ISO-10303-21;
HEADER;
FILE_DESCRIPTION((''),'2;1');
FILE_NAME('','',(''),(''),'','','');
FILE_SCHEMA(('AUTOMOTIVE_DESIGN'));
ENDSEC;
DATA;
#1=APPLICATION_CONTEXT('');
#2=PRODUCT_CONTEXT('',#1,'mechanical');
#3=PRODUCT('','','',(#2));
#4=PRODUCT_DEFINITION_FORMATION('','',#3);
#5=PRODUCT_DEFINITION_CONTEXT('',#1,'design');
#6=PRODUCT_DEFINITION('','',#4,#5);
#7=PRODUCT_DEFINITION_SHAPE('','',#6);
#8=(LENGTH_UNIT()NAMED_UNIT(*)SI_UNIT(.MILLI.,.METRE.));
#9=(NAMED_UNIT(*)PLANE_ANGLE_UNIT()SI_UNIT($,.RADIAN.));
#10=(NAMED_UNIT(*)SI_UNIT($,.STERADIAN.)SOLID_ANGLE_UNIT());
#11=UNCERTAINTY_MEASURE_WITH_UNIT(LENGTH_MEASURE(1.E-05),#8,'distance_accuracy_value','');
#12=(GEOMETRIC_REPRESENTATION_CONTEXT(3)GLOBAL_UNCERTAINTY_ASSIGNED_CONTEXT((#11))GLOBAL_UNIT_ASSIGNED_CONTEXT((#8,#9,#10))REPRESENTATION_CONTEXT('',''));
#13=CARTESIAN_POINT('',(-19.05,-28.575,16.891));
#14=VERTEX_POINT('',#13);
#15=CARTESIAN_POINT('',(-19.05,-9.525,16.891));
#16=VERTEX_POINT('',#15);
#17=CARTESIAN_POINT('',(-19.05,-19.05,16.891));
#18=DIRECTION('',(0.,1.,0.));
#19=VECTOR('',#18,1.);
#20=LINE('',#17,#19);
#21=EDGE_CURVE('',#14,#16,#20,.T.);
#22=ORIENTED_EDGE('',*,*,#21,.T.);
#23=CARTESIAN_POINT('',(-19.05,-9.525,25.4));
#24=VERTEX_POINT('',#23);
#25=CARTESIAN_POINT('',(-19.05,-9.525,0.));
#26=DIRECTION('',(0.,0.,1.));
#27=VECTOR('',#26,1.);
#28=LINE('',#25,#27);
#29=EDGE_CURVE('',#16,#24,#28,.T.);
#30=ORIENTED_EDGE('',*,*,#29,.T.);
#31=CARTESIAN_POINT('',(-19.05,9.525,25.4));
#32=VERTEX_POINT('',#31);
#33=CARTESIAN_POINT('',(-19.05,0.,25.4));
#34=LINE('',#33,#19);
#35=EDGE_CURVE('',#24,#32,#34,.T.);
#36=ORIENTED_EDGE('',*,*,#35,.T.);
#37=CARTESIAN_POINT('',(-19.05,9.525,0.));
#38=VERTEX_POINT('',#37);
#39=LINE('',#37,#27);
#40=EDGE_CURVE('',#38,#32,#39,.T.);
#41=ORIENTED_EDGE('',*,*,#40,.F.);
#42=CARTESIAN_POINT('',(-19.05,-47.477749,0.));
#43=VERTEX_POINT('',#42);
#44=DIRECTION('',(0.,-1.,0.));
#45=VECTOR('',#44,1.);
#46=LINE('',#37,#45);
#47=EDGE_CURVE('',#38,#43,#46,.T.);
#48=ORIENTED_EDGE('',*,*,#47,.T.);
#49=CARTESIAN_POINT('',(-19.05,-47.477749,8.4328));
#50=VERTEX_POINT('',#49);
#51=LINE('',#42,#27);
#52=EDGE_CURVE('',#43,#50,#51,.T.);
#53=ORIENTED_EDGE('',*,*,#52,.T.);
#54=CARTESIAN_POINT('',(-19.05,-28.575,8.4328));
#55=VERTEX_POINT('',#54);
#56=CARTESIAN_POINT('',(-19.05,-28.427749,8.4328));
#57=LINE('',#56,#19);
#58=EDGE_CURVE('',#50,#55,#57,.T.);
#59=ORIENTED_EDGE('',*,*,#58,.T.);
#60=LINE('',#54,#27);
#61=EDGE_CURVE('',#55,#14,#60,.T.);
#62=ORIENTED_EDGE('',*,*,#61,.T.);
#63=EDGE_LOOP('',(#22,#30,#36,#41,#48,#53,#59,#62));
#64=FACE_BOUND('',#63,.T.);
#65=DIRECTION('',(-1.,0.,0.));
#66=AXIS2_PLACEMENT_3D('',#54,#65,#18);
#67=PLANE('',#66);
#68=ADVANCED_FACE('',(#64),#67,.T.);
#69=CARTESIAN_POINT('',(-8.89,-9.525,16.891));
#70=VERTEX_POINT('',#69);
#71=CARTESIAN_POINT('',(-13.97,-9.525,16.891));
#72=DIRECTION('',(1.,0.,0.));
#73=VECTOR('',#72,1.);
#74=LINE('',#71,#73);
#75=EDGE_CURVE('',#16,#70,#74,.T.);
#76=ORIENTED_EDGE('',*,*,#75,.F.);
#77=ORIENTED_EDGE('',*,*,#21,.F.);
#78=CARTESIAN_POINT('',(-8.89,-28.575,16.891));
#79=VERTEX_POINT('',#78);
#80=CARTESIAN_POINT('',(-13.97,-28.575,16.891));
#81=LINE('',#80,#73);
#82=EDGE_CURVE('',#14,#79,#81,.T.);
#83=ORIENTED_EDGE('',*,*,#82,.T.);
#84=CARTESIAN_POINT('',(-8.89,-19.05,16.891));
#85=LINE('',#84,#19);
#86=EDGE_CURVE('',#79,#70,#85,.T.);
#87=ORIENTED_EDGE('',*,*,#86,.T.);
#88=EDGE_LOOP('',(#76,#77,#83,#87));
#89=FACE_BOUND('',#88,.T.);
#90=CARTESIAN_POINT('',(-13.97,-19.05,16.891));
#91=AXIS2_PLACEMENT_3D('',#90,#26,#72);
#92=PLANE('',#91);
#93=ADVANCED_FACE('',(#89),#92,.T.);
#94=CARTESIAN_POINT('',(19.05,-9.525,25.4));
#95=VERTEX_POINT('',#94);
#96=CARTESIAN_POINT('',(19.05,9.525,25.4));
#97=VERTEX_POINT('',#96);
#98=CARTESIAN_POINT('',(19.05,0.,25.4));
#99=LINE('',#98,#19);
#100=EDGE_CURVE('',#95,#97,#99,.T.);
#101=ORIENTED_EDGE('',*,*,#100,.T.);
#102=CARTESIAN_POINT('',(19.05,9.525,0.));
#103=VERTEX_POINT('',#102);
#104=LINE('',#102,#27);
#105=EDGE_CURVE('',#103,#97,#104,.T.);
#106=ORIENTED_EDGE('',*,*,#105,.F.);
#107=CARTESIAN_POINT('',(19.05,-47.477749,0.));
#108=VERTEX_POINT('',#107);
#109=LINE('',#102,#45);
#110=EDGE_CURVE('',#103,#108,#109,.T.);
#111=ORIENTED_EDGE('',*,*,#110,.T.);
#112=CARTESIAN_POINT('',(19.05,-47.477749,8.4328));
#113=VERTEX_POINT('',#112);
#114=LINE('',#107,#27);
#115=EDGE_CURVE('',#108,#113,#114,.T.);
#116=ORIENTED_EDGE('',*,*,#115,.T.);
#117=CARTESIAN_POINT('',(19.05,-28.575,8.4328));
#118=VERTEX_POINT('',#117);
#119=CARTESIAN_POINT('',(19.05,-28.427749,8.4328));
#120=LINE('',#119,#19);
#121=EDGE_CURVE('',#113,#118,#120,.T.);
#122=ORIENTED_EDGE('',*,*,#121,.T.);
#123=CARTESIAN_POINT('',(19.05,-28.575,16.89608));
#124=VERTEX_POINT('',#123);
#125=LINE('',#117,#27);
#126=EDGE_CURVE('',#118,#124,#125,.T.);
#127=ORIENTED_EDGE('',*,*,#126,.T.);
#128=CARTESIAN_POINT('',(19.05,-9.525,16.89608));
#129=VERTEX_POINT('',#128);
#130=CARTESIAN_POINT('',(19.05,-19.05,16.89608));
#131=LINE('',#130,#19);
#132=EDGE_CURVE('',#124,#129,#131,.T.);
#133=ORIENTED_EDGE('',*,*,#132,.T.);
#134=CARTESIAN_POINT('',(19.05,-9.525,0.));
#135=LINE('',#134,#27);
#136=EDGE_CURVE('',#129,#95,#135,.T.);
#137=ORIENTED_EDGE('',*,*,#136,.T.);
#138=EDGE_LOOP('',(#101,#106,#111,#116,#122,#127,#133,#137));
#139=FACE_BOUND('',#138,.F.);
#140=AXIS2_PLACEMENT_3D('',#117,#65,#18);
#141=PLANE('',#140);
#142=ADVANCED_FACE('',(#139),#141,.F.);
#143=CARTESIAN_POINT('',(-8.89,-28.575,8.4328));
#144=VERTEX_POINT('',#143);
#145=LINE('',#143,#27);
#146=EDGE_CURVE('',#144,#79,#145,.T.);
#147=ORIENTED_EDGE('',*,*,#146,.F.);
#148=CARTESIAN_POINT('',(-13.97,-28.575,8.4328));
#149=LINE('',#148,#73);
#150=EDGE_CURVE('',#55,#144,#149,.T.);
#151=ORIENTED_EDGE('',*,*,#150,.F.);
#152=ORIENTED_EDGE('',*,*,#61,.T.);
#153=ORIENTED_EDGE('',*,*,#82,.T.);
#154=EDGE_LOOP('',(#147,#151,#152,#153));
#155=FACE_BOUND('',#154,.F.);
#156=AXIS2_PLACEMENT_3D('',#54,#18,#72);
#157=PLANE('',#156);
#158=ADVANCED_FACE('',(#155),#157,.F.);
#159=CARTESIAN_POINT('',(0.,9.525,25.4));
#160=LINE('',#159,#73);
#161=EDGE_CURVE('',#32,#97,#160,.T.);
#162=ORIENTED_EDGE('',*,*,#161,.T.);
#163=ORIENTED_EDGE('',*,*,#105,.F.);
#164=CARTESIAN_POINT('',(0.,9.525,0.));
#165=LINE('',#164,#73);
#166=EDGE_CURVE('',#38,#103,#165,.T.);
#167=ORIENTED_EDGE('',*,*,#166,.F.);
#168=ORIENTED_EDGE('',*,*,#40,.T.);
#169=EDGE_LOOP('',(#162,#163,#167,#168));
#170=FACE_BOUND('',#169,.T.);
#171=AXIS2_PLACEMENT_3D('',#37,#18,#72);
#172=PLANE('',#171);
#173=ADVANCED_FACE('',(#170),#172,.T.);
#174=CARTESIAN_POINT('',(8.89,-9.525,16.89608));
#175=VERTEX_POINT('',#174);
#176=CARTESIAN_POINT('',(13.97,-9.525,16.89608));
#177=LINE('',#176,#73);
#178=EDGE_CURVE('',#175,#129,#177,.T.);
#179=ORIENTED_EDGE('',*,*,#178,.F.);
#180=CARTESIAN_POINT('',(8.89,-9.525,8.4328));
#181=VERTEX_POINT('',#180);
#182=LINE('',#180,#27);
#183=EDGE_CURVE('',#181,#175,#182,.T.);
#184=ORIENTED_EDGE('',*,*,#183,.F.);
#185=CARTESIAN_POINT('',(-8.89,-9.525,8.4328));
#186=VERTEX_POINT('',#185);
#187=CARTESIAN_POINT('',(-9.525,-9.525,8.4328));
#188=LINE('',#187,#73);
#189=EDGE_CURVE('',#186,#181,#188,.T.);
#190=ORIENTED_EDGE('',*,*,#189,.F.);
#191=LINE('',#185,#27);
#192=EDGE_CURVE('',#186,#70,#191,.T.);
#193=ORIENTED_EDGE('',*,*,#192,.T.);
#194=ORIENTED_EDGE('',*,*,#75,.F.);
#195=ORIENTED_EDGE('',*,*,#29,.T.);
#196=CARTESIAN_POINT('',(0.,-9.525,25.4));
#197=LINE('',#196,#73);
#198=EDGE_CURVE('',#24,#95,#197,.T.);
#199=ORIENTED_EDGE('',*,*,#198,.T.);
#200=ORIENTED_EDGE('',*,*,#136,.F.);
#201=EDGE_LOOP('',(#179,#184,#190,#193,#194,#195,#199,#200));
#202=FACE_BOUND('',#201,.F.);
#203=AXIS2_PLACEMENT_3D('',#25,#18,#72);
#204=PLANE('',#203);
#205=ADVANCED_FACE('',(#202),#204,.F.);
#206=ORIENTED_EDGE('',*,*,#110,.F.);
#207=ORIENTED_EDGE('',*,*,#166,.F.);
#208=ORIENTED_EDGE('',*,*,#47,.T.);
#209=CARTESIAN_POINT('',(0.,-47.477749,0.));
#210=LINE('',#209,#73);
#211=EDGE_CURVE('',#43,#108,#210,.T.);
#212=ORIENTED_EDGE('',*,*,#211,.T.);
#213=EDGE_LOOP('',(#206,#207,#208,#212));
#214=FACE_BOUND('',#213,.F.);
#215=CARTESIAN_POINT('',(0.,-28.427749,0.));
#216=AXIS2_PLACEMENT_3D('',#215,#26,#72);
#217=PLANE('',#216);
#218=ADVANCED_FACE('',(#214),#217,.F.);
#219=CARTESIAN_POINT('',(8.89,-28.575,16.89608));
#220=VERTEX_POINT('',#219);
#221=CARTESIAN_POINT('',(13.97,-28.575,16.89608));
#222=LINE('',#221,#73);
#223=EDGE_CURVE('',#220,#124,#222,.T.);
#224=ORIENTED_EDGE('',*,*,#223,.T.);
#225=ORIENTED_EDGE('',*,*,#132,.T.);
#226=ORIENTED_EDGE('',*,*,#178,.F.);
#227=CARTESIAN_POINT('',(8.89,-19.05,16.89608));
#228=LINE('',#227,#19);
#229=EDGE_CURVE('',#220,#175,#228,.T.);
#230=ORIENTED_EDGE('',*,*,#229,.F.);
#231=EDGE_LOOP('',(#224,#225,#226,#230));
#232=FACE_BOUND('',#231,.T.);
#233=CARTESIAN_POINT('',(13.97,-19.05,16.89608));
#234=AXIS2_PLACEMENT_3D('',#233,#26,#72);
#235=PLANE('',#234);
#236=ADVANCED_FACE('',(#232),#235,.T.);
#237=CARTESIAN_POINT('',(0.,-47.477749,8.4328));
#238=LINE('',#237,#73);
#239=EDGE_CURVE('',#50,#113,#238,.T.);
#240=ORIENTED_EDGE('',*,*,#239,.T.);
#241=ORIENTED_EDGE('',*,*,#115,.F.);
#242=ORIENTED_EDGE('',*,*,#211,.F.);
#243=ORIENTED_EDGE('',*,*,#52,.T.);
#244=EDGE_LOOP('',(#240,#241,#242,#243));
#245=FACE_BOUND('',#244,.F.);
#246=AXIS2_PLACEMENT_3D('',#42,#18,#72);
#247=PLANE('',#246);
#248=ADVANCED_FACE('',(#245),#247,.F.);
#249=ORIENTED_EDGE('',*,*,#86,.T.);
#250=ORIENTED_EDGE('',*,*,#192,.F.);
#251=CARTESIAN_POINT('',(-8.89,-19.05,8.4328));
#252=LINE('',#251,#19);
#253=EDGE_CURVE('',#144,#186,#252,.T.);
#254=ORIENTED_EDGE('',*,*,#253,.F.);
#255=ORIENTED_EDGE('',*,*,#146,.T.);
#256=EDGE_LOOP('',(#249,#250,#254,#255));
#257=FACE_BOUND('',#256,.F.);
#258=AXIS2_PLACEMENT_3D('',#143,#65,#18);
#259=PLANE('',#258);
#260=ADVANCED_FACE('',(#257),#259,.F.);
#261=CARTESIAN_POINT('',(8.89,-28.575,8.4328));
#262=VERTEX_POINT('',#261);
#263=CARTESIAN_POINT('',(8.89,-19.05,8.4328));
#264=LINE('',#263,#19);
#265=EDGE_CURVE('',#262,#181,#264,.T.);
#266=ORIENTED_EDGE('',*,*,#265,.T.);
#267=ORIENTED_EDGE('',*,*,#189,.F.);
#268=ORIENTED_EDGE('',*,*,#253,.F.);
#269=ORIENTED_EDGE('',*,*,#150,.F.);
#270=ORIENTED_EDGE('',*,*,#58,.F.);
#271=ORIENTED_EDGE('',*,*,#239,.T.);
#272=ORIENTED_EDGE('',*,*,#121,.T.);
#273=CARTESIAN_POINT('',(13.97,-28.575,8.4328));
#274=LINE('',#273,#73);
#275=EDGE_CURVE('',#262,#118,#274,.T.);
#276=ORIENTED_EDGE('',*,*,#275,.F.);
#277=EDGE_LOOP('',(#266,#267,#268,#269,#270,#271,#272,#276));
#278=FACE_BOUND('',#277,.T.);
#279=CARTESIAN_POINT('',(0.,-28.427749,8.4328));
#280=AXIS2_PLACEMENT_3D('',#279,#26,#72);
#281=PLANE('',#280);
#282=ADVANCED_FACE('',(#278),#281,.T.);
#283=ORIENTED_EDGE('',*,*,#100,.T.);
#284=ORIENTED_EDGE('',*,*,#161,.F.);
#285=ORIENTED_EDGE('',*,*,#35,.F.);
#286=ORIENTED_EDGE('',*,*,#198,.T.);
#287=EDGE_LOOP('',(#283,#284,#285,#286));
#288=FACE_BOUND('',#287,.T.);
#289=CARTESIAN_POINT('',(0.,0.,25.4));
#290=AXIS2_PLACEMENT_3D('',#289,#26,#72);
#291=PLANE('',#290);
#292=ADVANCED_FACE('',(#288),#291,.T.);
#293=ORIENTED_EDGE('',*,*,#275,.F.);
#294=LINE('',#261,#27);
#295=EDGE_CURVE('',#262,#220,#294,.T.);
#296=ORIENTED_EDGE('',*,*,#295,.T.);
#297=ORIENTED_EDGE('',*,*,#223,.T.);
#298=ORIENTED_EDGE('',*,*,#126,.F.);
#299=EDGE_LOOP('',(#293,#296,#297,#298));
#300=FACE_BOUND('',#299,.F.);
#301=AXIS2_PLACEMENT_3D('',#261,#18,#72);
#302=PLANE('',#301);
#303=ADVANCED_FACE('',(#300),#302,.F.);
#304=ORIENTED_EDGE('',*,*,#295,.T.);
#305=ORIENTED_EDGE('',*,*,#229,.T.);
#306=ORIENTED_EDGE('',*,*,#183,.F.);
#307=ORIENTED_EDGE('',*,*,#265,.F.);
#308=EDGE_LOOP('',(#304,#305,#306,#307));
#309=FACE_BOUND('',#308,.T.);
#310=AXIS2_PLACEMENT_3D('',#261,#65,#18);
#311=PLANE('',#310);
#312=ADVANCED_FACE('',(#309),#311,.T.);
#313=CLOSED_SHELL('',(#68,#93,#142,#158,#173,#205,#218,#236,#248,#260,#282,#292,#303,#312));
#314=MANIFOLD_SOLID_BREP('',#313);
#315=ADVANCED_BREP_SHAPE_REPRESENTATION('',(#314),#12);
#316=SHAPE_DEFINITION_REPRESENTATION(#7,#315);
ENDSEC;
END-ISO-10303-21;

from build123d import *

# Parameters (mm, degrees)
F0_W     = 38.1
F0_H     = 19.05
F1_DEPTH = 25.4
F2_W     = 38.1
F2_H     = 38.1
F3_DEPTH = 8.4328
F4_W     = 10.16
F4_H     = 19.05
F5_DEPTH = 8.4582
F6_DEPTH = 8.46328


with BuildPart() as f1:
    # F0 (on Top) → F1 (new body)
    with BuildSketch(Plane.XY):
        Rectangle(F0_W, F0_H)
    extrude(amount=F1_DEPTH)

    # F2 (on Top) → F3 (join)
    with BuildSketch(Plane.XY):
        with Locations((0, -28.427749)):
            Rectangle(F2_W, F2_H)
    extrude(amount=F3_DEPTH)

    # F4 (on face) → F5 (join)
    with BuildSketch(Plane.XY.offset(8.4328)):
        with Locations((-13.97, -19.05)):
            Rectangle(F4_W, F4_H)
    extrude(amount=F5_DEPTH)

    # F4 (on face) → F6 (join)
    with BuildSketch(Plane.XY.offset(8.4328)):
        with Locations((13.97, -19.05)):
            Rectangle(F4_W, F4_H)
    extrude(amount=F6_DEPTH)


solid = f1.part
